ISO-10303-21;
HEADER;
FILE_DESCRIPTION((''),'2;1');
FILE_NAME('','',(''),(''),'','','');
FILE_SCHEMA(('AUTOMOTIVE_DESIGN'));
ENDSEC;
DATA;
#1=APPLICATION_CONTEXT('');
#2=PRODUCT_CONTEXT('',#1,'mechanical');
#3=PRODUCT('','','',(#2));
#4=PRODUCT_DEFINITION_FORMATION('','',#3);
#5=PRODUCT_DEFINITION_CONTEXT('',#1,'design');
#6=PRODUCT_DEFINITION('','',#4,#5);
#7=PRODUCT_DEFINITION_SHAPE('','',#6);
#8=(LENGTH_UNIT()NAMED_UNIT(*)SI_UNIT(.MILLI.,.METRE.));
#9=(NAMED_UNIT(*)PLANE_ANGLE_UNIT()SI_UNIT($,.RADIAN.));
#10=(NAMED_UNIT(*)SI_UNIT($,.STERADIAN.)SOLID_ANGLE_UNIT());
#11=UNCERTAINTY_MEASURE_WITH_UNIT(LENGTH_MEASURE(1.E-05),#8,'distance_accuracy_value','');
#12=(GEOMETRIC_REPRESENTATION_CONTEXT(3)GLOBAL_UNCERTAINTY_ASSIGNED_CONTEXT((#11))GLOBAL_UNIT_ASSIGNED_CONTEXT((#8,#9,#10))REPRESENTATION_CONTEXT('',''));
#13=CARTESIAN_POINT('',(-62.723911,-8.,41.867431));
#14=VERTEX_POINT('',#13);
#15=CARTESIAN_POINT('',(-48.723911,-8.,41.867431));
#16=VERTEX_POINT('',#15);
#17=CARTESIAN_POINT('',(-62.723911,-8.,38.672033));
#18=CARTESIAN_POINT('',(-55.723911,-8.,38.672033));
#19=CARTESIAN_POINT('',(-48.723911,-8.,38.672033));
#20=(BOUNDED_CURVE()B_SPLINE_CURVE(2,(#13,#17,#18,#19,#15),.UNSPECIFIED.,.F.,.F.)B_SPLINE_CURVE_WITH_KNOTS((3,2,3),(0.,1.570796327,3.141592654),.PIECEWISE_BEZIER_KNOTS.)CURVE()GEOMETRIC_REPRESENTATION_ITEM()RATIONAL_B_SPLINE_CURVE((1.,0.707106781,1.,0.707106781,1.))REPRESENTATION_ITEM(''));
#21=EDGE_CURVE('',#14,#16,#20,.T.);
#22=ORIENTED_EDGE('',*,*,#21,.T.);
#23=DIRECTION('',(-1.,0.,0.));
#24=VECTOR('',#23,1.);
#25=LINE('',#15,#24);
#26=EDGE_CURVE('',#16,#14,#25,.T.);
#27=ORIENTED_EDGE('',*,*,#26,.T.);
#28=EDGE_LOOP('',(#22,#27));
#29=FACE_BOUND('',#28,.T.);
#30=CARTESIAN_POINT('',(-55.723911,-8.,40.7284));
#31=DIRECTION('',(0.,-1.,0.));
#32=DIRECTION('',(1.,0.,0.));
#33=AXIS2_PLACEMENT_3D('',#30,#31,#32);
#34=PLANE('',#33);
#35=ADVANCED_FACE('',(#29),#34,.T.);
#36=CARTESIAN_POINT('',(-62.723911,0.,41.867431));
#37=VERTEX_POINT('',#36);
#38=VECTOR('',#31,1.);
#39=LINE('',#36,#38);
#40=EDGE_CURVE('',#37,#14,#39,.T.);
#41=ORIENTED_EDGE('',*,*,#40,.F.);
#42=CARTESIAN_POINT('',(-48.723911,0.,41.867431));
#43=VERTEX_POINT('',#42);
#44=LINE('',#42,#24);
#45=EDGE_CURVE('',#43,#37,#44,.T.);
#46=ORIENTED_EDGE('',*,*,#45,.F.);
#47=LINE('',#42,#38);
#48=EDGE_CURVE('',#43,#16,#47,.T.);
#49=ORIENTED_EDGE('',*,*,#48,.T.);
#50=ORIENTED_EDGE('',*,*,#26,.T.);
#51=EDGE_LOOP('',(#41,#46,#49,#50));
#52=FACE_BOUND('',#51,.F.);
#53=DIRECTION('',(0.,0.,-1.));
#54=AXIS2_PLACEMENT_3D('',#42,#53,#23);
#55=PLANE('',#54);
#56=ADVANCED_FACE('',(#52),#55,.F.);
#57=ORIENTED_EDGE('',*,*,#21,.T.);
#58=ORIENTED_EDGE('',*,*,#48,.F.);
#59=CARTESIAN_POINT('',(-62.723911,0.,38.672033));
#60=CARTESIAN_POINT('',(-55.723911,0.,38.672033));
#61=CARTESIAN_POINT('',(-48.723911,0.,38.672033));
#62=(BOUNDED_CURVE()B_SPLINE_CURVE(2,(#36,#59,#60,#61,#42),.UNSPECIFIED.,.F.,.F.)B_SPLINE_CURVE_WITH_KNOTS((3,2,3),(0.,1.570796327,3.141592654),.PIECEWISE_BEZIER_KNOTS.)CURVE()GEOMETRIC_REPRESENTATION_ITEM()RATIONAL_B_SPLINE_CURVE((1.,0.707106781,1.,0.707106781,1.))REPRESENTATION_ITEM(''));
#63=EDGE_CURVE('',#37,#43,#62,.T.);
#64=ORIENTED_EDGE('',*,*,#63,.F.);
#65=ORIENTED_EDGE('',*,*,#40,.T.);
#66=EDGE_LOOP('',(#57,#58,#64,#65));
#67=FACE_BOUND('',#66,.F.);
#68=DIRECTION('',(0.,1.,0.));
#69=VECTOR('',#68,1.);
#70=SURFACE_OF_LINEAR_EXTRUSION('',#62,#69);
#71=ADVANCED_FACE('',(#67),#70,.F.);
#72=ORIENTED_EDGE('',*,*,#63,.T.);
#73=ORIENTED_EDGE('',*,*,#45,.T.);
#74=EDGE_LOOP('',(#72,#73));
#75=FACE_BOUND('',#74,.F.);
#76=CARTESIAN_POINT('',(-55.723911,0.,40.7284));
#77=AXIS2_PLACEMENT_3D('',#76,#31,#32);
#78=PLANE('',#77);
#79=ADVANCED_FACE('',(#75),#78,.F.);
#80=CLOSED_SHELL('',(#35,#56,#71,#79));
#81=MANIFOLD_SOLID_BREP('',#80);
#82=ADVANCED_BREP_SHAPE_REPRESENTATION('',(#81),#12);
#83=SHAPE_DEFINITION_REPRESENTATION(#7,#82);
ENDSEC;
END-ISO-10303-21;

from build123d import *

# Parameters (mm, degrees)
F1_DEPTH = 8


with BuildPart() as f1:
    # F0 (on Front) → F1 (new body)
    with BuildSketch(Plane.XZ):
        with BuildLine():
            Line((-48.7239111513, 41.8674312532), (-62.7239111513, 41.8674312532))
            add(Edge.make_bspline(
                [(-62.7239111513, 41.8674312532), (-62.7239111513, 38.6720331235), (-55.7239111513, 38.6720331235), (-48.7239111513, 38.6720331235), (-48.7239111513, 41.8674312532)],
                knots=[0, 0, 0, 1.5707963268, 1.5707963268, 3.1415926536, 3.1415926536, 3.1415926536], degree=2, weights=[1, 0.7071067812, 1, 0.7071067812, 1]))
        make_face()
    extrude(amount=F1_DEPTH)


solid = f1.part
